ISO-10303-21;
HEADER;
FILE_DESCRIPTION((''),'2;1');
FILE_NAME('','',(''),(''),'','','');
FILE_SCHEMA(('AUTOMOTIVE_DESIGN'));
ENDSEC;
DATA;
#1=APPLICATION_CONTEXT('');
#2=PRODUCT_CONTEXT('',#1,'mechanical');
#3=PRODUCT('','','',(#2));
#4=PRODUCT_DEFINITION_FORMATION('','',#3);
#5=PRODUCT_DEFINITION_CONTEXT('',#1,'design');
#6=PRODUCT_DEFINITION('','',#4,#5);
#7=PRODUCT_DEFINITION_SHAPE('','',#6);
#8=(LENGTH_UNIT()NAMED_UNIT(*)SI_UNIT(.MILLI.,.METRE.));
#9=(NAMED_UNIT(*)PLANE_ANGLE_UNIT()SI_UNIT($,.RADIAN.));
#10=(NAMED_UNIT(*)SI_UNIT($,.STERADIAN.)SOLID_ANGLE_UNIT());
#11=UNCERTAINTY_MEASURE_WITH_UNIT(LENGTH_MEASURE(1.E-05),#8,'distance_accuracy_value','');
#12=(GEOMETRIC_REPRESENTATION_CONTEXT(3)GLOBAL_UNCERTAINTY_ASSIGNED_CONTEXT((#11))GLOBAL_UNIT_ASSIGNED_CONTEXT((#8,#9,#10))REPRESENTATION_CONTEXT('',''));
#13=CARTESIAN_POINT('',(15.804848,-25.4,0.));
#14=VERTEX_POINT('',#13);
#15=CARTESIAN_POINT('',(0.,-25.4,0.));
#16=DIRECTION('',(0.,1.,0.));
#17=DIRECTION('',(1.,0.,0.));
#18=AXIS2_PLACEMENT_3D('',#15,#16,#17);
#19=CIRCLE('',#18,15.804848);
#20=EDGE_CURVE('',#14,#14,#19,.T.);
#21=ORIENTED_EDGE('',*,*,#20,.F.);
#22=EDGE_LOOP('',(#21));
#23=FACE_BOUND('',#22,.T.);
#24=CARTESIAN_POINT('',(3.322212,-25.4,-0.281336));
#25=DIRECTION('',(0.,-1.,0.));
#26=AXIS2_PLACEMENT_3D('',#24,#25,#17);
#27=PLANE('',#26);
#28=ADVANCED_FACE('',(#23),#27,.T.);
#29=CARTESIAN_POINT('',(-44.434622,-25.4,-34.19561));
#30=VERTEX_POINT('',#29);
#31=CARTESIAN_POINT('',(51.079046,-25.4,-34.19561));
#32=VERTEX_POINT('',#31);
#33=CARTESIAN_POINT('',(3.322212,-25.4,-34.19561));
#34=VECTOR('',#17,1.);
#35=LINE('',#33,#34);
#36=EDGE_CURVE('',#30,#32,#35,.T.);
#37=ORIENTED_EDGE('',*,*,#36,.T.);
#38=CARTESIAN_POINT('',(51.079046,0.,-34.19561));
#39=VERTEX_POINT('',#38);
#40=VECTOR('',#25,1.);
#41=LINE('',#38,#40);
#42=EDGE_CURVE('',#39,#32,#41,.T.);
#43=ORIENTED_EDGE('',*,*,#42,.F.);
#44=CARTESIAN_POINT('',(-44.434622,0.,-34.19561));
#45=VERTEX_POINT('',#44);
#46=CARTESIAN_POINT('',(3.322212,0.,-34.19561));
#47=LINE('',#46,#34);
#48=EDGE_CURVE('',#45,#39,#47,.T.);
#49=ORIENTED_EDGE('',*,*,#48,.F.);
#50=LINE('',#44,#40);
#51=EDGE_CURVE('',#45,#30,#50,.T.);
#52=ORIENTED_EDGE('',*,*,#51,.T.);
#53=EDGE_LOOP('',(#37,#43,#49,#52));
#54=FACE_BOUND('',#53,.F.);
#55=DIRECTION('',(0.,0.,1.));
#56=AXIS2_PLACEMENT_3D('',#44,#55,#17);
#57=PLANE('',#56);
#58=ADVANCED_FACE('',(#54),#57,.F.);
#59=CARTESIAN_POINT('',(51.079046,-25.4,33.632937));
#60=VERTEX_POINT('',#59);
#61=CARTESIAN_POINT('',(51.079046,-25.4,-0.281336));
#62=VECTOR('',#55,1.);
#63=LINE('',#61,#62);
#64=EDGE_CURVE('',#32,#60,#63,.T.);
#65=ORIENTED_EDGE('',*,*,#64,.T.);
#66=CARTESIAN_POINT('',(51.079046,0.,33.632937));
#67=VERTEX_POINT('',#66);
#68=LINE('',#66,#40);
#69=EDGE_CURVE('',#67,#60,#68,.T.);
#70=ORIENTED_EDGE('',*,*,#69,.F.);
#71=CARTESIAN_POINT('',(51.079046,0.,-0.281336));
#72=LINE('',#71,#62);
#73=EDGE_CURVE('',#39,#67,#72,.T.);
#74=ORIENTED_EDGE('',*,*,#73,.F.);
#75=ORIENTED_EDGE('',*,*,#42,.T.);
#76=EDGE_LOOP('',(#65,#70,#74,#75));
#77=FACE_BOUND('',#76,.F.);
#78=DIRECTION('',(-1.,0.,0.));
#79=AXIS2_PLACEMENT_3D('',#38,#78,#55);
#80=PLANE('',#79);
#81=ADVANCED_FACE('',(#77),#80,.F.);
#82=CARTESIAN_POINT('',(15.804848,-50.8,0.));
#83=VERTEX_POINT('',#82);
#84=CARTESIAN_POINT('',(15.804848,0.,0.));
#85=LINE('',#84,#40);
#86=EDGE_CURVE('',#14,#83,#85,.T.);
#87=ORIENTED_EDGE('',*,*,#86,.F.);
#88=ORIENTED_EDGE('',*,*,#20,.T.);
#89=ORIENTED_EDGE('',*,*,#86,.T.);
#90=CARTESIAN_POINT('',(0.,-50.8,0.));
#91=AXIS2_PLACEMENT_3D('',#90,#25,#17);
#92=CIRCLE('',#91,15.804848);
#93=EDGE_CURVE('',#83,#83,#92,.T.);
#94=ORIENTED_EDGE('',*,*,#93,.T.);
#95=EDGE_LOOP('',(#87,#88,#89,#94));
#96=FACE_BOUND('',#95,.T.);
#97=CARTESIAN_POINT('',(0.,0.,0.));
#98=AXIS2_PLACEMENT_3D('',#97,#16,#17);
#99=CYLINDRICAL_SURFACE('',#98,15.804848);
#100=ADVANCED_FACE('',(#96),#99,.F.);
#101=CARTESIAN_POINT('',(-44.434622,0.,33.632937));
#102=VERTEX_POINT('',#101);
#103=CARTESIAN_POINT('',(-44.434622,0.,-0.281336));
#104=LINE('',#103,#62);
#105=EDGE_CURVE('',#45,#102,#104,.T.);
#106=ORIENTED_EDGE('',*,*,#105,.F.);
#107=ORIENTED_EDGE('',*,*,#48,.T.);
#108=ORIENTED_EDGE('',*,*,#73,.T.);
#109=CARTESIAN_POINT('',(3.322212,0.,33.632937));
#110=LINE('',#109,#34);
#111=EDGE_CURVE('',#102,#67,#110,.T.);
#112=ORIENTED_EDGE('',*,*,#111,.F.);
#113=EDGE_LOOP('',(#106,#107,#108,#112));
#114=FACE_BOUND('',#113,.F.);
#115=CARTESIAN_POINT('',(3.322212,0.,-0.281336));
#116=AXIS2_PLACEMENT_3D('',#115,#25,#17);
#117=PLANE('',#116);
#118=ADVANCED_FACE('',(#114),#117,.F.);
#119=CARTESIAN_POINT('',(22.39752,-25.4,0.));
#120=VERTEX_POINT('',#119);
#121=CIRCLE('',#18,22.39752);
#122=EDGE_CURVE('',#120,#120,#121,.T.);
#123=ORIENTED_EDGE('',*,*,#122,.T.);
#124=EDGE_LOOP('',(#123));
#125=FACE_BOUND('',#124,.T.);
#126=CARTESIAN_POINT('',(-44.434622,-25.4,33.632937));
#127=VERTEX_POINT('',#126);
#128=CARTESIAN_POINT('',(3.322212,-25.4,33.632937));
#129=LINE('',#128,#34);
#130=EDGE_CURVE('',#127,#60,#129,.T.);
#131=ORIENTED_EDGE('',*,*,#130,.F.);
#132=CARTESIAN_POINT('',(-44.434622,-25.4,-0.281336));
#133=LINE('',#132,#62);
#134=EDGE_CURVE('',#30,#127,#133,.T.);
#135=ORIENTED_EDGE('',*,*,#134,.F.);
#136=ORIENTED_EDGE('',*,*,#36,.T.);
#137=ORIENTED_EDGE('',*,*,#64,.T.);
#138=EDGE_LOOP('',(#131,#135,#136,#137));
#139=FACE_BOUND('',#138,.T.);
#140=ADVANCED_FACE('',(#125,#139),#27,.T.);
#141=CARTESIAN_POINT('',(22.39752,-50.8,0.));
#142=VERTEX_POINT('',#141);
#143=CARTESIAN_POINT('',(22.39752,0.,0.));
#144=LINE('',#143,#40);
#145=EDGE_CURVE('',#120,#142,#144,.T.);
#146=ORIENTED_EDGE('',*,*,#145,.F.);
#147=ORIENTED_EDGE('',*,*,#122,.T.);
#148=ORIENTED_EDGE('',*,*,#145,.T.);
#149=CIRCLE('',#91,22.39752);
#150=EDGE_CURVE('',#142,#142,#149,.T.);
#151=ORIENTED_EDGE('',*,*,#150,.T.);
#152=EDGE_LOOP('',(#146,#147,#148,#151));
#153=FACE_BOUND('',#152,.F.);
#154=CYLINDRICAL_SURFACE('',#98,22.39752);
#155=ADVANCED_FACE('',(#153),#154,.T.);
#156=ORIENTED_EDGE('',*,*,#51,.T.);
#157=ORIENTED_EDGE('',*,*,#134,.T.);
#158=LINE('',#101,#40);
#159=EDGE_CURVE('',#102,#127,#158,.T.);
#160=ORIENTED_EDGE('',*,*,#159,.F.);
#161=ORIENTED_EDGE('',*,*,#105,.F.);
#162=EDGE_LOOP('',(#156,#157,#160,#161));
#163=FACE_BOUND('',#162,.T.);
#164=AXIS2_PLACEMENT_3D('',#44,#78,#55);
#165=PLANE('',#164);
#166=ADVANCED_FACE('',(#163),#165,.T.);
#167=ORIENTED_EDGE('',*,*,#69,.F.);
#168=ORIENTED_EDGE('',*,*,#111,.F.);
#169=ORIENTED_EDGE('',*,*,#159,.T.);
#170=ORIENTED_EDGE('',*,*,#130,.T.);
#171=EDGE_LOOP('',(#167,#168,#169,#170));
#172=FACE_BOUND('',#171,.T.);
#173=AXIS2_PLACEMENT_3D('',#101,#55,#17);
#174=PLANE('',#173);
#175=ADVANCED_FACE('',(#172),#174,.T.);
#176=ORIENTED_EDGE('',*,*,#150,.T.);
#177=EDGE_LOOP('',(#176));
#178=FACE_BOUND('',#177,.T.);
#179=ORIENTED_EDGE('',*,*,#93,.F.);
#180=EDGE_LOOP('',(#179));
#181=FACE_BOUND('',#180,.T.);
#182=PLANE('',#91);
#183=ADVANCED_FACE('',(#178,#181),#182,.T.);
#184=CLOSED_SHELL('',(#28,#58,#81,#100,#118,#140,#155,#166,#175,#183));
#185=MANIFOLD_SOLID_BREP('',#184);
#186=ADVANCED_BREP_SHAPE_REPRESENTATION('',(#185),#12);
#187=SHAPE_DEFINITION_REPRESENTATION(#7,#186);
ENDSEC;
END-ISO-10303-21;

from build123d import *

# Parameters (mm, degrees)
F0_R     = 22.39752
F0_R_2   = 15.804848
F1_DEPTH = 50.8
F2_W     = 95.513668
F2_H     = 67.828547
F3_DEPTH = 25.4


with BuildPart() as f1:
    # F0 (on Front) → F1 (new body)
    with BuildSketch(Plane.XZ):
        Circle(F0_R)
        Circle(F0_R_2, mode=Mode.SUBTRACT)
    extrude(amount=F1_DEPTH)

    # F2 (on Front) → F3 (join)
    with BuildSketch(Plane.XZ):
        with Locations((3.322212, -0.281336)):
            Rectangle(F2_W, F2_H)
    extrude(amount=F3_DEPTH)


solid = f1.part
